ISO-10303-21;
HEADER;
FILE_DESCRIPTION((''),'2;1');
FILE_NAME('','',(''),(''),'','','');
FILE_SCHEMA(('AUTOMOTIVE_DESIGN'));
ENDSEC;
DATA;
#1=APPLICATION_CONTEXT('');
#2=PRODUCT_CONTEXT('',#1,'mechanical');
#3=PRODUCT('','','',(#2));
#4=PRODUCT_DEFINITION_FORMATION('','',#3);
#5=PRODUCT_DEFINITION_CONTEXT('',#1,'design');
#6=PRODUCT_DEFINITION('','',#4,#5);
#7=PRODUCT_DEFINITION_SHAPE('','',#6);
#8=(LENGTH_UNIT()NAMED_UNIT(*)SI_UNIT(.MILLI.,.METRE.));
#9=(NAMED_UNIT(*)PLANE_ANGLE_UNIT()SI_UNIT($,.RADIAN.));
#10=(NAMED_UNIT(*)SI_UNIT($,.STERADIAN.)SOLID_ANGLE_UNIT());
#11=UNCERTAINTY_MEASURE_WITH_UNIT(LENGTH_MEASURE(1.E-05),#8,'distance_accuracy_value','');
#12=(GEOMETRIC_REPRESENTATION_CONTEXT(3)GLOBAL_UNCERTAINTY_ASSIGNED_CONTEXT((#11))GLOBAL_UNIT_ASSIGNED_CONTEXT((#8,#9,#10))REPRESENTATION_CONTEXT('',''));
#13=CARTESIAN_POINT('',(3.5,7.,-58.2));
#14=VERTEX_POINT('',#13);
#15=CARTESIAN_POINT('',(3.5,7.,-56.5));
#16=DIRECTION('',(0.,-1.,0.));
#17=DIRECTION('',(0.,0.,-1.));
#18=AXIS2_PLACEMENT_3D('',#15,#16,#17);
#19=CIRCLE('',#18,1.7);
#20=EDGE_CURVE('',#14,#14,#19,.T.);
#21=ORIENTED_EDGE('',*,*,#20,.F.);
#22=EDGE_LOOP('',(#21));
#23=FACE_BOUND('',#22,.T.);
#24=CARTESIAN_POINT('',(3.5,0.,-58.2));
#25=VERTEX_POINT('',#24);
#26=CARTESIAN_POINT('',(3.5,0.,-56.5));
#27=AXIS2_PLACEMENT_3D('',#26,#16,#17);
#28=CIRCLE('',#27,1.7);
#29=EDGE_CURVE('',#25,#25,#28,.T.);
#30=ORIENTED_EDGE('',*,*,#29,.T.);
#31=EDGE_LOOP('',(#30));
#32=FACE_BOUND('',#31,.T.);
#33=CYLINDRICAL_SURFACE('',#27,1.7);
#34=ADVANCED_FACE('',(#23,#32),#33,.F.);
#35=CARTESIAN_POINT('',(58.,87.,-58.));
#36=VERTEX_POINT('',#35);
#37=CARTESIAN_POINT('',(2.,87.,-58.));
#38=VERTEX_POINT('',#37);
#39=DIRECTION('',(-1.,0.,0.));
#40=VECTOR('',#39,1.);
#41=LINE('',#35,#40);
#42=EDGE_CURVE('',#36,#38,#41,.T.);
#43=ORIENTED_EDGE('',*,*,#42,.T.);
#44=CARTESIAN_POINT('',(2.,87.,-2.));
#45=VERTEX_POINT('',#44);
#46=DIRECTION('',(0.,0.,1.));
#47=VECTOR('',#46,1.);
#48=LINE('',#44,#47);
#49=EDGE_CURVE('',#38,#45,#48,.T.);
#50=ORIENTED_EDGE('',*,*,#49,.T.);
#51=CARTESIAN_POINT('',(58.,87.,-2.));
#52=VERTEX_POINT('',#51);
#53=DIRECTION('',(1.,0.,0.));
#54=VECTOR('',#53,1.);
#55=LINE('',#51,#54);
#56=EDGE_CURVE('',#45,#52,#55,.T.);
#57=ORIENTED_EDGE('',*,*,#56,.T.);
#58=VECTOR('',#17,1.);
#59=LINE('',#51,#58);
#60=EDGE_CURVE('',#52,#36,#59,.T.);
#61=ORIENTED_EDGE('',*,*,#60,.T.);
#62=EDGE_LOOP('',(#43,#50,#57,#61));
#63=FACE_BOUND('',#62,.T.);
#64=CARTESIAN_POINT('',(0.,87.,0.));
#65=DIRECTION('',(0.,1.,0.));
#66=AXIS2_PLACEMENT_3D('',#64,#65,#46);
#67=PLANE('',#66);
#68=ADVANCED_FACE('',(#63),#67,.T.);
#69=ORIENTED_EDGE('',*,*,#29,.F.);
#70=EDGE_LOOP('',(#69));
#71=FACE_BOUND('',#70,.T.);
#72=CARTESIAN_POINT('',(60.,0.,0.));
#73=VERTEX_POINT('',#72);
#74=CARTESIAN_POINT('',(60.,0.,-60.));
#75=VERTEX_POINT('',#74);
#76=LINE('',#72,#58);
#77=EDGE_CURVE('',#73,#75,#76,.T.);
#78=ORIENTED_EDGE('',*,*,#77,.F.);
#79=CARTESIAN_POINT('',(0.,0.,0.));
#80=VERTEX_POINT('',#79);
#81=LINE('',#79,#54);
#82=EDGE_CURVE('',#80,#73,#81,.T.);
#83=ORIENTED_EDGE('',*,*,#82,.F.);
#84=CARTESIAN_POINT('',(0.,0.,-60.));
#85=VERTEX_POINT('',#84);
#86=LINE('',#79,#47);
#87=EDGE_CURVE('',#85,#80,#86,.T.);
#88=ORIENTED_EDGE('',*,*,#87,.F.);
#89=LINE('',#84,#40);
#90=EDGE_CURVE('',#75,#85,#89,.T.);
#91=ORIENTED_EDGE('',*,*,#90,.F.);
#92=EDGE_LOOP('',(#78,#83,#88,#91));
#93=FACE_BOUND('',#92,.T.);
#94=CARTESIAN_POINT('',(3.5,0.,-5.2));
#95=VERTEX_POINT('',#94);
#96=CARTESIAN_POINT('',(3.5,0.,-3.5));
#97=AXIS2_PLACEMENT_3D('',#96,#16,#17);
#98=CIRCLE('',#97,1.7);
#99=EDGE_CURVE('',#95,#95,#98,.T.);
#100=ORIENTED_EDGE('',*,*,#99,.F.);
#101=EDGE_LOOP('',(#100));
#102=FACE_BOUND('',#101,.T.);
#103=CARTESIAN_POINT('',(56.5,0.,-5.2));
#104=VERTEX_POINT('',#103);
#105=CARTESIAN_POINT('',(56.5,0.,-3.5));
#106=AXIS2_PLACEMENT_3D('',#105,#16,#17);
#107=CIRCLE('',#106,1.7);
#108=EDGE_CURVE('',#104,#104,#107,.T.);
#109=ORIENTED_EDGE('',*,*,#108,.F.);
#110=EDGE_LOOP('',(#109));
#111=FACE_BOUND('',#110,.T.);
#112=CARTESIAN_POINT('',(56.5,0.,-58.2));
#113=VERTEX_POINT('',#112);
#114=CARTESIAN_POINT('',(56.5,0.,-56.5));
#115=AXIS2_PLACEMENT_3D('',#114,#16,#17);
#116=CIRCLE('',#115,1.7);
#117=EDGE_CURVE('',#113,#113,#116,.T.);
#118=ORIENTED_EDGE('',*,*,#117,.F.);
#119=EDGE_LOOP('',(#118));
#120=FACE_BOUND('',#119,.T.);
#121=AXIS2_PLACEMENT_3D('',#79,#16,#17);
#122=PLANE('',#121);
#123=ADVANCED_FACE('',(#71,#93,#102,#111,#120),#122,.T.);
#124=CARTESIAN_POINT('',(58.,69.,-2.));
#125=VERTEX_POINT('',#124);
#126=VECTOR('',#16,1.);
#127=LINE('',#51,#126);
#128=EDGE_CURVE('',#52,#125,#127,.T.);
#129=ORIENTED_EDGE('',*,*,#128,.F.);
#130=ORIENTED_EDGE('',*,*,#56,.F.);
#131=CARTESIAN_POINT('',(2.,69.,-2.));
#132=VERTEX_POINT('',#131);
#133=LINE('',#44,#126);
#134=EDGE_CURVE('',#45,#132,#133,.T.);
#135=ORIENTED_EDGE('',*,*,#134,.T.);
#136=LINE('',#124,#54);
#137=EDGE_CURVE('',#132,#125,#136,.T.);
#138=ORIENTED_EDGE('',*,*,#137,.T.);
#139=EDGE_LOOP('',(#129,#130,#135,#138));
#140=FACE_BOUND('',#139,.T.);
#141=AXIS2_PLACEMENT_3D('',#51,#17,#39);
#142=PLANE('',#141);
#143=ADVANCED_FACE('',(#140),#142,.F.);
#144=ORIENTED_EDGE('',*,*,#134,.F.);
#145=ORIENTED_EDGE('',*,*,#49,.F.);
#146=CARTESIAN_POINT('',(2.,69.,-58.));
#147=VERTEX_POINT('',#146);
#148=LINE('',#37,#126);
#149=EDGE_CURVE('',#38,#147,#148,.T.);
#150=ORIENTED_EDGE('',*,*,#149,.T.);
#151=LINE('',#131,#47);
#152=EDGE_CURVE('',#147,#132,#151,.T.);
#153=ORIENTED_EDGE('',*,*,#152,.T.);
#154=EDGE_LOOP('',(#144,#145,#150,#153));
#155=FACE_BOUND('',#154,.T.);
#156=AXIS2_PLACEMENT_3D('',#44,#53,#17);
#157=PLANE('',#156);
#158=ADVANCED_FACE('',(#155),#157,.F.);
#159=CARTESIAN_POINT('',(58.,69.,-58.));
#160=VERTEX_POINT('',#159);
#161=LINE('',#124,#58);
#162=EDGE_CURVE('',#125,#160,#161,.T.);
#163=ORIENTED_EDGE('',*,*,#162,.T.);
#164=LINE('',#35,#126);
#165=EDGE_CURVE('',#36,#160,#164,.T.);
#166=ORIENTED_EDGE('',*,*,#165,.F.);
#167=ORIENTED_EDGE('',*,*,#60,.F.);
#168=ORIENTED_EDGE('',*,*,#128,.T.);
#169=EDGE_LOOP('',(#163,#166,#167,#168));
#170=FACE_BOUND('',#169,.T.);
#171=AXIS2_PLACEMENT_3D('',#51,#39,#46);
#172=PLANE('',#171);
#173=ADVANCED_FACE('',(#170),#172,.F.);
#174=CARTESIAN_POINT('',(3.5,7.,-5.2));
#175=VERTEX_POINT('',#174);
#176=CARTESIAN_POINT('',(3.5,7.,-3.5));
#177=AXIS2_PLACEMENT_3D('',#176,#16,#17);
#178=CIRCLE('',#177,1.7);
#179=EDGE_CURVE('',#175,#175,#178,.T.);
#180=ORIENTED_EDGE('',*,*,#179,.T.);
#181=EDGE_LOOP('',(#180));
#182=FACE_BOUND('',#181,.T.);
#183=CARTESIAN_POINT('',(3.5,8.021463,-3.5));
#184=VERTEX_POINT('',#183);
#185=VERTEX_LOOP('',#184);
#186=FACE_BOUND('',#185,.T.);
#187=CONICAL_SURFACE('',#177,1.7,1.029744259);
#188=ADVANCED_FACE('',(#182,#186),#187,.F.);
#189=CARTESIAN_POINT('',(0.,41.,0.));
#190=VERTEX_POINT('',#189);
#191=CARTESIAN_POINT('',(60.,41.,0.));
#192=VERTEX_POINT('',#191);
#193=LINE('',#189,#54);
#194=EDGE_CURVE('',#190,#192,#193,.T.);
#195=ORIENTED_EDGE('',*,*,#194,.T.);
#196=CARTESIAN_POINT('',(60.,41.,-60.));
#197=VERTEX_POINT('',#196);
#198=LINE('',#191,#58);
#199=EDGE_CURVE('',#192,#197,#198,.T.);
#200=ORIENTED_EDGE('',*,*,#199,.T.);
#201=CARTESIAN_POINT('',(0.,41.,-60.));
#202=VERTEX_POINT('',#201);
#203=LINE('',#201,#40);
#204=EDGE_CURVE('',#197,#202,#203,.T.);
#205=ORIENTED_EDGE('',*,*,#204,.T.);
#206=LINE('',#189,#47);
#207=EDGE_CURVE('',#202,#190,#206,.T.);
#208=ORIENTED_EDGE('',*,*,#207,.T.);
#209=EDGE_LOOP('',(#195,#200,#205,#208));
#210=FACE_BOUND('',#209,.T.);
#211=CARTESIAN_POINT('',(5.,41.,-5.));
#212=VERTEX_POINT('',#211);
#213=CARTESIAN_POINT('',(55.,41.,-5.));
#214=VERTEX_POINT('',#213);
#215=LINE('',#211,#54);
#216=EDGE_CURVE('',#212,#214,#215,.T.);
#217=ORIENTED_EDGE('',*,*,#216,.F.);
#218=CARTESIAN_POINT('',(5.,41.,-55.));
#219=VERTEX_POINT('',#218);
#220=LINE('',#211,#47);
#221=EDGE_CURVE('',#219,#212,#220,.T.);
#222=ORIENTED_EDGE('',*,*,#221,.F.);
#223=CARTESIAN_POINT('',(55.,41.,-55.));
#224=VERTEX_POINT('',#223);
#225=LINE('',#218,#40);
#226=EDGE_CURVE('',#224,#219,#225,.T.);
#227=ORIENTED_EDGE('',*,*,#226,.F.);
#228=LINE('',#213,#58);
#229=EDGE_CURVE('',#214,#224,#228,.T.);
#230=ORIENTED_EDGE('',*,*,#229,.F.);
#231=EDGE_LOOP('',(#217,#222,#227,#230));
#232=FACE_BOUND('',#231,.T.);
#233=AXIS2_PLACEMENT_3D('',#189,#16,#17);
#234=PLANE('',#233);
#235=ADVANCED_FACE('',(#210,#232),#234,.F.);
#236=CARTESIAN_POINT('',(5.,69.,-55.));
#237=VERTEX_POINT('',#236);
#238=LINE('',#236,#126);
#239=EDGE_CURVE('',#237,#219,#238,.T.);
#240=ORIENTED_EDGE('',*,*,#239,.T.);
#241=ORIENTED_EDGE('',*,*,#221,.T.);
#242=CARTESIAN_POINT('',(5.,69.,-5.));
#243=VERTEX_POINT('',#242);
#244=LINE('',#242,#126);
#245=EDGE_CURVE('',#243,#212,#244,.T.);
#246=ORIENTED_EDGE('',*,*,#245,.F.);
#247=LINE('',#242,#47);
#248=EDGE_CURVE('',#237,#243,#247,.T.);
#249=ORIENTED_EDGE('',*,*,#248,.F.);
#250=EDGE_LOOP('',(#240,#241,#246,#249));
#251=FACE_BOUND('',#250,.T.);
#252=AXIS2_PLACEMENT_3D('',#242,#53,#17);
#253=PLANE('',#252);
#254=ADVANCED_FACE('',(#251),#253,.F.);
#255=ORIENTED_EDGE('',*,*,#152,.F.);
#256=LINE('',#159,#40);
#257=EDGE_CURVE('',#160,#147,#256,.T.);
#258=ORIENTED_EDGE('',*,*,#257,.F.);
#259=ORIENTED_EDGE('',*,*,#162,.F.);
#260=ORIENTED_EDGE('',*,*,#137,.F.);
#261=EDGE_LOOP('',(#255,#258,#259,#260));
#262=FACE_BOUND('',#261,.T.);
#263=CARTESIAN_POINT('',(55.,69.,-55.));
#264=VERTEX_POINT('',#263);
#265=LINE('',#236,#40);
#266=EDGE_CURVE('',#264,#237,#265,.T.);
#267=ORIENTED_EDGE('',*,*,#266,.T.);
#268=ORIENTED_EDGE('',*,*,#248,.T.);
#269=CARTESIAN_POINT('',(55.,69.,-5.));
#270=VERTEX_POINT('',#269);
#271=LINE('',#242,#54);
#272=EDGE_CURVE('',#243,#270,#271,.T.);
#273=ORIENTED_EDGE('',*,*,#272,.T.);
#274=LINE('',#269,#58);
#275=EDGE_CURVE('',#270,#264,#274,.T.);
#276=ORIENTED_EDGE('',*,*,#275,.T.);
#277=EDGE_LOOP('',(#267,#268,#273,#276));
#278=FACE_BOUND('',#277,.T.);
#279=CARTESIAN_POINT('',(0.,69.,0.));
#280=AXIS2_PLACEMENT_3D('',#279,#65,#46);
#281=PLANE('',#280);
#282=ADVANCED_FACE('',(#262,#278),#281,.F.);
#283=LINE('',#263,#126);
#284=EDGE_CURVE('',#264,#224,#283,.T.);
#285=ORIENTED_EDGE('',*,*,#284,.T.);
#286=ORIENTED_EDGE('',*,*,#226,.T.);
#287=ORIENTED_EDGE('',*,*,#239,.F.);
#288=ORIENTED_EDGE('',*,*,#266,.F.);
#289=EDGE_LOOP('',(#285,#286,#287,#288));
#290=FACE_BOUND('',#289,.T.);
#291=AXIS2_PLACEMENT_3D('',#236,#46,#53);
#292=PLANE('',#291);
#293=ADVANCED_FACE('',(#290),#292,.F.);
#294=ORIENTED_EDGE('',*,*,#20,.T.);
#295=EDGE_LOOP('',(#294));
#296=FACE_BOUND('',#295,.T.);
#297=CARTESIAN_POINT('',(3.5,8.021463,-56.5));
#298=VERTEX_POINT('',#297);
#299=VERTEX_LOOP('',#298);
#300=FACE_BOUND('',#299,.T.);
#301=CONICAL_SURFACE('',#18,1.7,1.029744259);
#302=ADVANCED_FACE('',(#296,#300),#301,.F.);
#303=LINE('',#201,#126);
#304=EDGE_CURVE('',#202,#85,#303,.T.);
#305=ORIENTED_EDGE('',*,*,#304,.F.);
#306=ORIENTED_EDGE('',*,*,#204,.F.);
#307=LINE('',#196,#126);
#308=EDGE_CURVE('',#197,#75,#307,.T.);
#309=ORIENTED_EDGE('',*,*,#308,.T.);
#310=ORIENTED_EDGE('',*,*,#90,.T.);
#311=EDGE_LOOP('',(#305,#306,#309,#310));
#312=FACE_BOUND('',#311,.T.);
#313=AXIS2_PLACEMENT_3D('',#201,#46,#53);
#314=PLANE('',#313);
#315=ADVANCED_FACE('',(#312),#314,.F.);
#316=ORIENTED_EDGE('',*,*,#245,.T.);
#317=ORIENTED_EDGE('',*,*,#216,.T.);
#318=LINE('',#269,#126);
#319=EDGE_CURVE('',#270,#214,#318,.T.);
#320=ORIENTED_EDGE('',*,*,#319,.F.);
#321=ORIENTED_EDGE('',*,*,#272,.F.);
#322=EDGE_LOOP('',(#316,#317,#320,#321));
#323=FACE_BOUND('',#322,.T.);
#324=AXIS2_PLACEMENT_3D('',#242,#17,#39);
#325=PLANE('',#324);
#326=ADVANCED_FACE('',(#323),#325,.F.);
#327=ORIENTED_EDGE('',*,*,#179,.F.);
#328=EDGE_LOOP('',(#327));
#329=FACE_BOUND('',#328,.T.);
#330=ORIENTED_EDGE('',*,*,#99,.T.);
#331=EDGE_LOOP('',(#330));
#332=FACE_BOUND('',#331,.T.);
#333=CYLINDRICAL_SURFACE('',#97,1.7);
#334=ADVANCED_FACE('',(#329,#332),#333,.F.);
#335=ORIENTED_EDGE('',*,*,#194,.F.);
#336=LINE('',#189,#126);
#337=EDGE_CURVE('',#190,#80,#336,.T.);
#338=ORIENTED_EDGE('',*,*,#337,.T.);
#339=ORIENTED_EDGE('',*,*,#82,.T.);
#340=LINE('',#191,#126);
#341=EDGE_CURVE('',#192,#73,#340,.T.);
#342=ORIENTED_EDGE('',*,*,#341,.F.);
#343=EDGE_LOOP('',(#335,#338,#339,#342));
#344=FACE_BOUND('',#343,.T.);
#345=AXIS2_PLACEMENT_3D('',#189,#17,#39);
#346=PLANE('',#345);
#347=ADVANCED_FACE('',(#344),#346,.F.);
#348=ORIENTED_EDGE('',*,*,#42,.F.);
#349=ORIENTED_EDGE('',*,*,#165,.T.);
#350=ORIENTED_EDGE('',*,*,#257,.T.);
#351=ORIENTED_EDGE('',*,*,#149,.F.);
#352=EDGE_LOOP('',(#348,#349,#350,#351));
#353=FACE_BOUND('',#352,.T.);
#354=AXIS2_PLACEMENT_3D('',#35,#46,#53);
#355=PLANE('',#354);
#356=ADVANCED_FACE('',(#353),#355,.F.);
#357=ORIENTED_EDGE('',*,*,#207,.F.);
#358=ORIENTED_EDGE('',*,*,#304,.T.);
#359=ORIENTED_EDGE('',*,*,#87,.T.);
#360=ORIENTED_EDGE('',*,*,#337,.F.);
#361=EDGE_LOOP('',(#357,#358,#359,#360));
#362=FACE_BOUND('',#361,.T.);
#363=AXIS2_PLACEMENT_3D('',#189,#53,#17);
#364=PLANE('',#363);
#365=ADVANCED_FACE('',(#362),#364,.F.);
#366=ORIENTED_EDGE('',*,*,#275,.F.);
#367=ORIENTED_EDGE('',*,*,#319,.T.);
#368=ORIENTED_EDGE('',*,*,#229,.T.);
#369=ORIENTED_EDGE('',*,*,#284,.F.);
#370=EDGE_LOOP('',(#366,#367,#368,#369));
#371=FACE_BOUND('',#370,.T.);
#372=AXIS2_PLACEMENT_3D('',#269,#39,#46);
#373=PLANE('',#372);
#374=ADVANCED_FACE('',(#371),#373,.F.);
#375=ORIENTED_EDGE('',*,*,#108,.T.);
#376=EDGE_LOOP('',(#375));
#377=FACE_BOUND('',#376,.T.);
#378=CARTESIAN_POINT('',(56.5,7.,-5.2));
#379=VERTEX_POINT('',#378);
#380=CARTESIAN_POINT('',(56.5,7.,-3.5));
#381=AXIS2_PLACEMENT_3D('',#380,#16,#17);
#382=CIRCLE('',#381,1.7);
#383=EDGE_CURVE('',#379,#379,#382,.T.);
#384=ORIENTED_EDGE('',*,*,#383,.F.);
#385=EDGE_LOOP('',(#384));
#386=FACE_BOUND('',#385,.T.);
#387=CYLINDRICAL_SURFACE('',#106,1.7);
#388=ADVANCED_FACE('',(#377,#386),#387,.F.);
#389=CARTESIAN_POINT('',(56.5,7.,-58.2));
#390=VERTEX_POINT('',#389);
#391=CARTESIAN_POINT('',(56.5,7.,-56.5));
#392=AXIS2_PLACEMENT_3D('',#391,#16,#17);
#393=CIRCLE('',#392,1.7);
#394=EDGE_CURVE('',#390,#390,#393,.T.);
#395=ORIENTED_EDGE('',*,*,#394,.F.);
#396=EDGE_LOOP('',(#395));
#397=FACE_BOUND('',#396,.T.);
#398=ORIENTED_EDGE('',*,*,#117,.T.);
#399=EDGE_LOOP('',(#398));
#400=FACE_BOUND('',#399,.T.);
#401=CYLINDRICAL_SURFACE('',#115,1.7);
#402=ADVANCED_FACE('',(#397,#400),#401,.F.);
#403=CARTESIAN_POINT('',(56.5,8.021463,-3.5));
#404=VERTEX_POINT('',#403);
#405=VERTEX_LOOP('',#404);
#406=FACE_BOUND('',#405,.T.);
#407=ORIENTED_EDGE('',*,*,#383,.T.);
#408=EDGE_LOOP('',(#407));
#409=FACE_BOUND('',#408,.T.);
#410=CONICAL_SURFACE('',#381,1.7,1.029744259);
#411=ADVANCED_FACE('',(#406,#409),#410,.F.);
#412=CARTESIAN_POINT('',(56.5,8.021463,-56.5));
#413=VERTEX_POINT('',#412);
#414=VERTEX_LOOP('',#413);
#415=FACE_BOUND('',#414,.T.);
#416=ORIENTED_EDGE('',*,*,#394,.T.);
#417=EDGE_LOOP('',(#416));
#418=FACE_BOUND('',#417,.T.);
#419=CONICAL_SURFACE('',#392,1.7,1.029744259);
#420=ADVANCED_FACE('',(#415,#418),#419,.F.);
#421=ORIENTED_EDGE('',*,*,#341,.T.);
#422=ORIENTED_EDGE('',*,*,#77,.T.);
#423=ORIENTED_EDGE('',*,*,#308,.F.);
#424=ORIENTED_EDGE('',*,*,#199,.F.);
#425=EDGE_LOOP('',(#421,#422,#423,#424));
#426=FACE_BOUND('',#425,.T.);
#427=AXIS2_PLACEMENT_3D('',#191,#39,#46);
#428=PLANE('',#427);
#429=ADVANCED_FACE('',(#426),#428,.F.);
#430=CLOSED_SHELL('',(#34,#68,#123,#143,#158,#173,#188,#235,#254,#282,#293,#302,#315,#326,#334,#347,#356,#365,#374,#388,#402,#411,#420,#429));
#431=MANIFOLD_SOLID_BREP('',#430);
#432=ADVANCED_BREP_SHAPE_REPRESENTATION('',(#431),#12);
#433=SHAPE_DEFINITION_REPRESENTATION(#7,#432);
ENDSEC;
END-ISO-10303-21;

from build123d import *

# Parameters (mm, degrees)
SKETCH1_W                = 60
SKETCH1_H                = 60
BOSS_EXTRUDE1_DEPTH      = 41
M3_CLEARANCE_HOLE1_D     = 3.4
M3_CLEARANCE_HOLE1_DEPTH = 7
M3_CLEARANCE_HOLE1_TIP   = 1.021463052
SKETCH4_W                = 50
SKETCH4_H                = 50
BOSS_EXTRUDE2_DEPTH      = 28
SKETCH5_W                = 56
SKETCH5_H                = 56
BOSS_EXTRUDE3_DEPTH      = 18


with BuildPart() as part:
    # Sketch1 → Boss-Extrude1 (new body)
    with BuildSketch(Plane(origin=(0, 0, 0), x_dir=(1, 0, 0), z_dir=(0, 1, 0))):
        with Locations((30, 30)):
            Rectangle(SKETCH1_W, SKETCH1_H)
    extrude(amount=BOSS_EXTRUDE1_DEPTH)

    # M3 Clearance Hole1
    with Locations(Plane(origin=(0, 0, 0), x_dir=(-1, 0, 0), z_dir=(0, -1, 0))):
        with Locations((-3.5, 3.5), (-56.5, 3.5), (-56.5, 56.5), (-3.5, 56.5)):
            Hole(M3_CLEARANCE_HOLE1_D / 2, depth=M3_CLEARANCE_HOLE1_DEPTH)
            with Locations((0, 0, -(M3_CLEARANCE_HOLE1_DEPTH + M3_CLEARANCE_HOLE1_TIP / 2))):  # 118° drill point
                Cone(0, M3_CLEARANCE_HOLE1_D / 2, M3_CLEARANCE_HOLE1_TIP, mode=Mode.SUBTRACT)

    # Sketch4 → Boss-Extrude2 (add)
    with BuildSketch(Plane(origin=(0, 41, 0), x_dir=(1, 0, 0), z_dir=(0, 1, 0))):
        with Locations((30, 30)):
            Rectangle(SKETCH4_W, SKETCH4_H)
    extrude(amount=BOSS_EXTRUDE2_DEPTH)

    # Sketch5 → Boss-Extrude3 (add)
    with BuildSketch(Plane(origin=(0, 69, 0), x_dir=(1, 0, 0), z_dir=(0, 1, 0))):
        with Locations((30, 30)):
            Rectangle(SKETCH5_W, SKETCH5_H)
    extrude(amount=BOSS_EXTRUDE3_DEPTH)


solid = part.part
